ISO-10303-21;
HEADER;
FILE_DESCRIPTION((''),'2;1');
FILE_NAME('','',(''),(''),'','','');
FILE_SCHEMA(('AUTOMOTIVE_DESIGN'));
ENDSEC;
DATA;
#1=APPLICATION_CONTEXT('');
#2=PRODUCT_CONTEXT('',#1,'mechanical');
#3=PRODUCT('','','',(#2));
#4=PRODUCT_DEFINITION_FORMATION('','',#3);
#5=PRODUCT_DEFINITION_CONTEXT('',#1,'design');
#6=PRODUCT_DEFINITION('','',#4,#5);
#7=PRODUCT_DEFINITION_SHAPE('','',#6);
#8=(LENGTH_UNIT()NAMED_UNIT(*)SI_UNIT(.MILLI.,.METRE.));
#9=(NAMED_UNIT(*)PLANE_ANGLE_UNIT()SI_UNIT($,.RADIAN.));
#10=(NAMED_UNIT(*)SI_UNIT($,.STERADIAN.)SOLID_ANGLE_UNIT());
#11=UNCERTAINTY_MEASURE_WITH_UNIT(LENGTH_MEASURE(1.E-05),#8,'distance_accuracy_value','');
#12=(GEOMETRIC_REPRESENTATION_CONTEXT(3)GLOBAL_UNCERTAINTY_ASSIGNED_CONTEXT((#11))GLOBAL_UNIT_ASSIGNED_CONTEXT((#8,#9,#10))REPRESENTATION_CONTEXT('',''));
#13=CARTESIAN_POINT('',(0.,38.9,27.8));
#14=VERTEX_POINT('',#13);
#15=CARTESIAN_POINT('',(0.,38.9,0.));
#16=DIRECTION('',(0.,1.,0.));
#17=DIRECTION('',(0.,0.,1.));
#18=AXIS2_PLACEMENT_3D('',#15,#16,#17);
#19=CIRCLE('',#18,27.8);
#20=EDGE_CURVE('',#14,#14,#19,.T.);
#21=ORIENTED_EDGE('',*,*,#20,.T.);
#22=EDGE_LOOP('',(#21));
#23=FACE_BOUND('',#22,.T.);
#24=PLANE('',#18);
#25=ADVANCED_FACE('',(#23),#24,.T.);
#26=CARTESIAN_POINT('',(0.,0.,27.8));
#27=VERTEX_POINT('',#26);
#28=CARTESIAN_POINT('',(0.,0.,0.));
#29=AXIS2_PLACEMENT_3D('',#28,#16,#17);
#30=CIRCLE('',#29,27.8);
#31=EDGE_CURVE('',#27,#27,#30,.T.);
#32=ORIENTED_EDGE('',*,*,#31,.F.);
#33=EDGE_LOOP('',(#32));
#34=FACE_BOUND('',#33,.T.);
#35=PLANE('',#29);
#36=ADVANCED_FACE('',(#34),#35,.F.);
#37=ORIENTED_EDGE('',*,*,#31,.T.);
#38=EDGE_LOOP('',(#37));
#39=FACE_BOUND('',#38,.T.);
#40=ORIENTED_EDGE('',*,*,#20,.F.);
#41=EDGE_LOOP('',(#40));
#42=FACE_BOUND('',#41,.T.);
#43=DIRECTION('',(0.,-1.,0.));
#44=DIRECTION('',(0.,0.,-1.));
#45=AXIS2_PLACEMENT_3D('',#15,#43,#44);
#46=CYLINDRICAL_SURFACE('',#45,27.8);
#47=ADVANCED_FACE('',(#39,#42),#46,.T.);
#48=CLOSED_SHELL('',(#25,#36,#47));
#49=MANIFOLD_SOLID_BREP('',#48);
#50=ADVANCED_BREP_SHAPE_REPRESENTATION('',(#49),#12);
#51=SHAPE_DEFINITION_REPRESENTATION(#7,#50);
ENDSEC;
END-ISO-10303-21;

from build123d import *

# Parameters (mm, degrees)
SKETCH1_R           = 27.8
BOSS_EXTRUDE1_DEPTH = 38.9


with BuildPart() as part:
    # Sketch1 → Boss-Extrude1 (new body)
    with BuildSketch(Plane(origin=(0, 0, 0), x_dir=(1, 0, 0), z_dir=(0, 1, 0))):
        with Locations(Location((0, 0, 0), (0, 0, 270))):
            Circle(SKETCH1_R)
    extrude(amount=BOSS_EXTRUDE1_DEPTH)


solid = part.part
